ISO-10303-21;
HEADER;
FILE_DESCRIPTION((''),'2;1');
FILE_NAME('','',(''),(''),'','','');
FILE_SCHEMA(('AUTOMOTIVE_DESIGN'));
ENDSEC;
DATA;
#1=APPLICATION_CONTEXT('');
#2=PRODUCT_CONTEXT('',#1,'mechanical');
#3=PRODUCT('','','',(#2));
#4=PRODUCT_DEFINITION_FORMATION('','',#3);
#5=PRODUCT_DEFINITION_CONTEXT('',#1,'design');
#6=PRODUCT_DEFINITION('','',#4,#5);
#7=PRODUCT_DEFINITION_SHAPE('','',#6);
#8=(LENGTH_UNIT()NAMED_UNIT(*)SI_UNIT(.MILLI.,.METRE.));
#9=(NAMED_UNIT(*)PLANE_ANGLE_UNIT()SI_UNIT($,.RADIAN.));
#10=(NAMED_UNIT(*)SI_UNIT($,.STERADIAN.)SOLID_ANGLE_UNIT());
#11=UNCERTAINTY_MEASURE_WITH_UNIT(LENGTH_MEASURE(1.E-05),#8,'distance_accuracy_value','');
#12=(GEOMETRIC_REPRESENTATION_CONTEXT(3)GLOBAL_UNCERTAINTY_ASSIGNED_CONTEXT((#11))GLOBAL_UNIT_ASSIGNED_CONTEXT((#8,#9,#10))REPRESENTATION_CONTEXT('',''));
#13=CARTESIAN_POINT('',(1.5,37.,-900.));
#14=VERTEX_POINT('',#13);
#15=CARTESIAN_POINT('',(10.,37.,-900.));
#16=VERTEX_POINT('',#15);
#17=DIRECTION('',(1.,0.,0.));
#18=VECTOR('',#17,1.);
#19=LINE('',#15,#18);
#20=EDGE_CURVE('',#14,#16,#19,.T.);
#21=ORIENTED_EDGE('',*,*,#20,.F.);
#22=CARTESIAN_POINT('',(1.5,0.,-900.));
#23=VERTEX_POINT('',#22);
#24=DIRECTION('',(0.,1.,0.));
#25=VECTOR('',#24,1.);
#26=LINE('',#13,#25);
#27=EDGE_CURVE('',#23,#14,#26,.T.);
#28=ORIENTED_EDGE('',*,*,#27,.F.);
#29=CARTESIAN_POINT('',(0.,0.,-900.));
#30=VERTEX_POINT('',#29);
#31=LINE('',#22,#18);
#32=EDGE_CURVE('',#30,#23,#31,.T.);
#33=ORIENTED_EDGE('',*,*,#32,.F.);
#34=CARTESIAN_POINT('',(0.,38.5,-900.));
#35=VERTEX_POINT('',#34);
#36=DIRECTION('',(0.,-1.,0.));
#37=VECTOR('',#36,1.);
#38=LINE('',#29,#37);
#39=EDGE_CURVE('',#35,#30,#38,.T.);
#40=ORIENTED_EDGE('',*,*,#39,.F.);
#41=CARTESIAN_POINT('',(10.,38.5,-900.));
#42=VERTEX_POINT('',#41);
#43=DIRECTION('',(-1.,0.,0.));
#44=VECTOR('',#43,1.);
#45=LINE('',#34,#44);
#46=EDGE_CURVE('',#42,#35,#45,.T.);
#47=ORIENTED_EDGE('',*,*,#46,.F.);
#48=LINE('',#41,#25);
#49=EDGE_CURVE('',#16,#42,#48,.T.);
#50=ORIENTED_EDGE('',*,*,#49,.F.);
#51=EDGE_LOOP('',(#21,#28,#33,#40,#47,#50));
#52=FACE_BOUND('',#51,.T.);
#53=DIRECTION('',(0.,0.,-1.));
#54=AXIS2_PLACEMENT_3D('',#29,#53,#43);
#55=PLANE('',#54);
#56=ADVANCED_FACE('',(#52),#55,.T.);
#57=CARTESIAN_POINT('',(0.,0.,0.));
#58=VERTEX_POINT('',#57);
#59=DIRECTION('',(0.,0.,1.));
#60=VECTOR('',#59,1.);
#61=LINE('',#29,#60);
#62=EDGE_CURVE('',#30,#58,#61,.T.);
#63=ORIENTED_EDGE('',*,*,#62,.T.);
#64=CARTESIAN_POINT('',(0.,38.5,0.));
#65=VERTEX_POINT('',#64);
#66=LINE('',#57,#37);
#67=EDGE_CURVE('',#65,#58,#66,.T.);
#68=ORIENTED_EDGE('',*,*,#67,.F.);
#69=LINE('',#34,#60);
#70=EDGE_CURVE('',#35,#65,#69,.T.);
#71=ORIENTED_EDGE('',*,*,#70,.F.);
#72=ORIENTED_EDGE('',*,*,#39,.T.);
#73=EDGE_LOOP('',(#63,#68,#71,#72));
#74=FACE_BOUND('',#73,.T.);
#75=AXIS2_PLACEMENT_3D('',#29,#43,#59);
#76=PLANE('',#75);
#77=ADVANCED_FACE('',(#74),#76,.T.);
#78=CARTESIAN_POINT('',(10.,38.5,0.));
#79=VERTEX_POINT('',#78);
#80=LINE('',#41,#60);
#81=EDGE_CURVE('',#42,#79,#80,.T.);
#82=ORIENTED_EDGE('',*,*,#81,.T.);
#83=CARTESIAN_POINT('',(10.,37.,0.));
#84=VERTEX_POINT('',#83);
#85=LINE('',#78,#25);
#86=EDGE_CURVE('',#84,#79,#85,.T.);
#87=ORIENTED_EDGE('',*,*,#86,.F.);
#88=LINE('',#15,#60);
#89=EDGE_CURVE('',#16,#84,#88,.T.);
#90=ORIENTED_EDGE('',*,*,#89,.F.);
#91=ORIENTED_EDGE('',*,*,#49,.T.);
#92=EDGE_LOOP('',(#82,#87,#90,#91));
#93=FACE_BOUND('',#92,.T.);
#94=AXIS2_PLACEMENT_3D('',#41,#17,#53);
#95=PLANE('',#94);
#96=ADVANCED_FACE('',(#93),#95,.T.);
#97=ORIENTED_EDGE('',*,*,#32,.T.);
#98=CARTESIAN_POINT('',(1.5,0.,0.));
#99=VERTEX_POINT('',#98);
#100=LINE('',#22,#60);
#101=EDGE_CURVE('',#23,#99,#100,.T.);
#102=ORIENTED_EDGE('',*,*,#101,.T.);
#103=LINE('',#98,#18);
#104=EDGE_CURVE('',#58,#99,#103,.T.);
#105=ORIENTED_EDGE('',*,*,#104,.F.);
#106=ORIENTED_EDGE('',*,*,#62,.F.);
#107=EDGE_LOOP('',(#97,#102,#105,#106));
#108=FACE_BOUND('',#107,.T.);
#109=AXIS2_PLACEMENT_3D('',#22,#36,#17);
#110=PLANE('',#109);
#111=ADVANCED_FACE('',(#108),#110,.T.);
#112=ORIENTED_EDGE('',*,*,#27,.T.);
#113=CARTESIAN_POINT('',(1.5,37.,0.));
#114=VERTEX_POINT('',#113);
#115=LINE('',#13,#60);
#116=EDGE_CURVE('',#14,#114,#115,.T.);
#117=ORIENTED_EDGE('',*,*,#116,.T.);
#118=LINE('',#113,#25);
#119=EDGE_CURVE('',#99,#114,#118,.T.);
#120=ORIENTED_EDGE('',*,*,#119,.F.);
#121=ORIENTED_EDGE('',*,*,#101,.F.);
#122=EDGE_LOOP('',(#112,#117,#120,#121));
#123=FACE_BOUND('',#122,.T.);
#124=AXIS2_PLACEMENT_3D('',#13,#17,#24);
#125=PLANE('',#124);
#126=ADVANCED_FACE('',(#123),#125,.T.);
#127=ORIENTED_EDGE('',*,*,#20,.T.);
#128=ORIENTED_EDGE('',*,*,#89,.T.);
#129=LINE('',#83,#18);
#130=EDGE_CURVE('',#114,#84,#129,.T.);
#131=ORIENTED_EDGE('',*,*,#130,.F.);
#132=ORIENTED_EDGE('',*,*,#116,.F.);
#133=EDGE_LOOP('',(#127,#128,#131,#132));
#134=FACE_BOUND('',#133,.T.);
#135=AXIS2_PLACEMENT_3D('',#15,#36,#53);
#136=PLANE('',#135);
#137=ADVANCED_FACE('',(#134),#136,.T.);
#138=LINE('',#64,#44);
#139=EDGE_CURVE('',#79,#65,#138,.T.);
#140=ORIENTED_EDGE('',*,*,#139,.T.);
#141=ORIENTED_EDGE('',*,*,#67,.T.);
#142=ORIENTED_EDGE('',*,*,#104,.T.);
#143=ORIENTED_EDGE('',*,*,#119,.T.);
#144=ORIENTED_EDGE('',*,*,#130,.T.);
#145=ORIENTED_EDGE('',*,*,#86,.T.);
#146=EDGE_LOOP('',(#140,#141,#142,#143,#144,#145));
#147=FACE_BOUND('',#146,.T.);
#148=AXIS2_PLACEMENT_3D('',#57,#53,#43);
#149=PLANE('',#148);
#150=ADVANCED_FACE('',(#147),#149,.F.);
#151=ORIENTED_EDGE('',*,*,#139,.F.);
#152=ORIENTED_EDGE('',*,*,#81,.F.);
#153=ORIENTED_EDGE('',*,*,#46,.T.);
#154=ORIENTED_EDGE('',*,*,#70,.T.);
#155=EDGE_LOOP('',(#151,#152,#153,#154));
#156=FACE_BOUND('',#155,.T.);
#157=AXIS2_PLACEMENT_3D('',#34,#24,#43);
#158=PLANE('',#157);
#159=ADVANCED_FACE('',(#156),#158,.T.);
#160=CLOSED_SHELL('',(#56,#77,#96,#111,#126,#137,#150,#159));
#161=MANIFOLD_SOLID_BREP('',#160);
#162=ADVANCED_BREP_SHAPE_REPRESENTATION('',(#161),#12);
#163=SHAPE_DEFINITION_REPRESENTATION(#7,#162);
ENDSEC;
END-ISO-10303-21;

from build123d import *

# Parameters (mm, degrees)
BOSS_EXTRUDE1_DEPTH = 900


with BuildPart() as part:
    # Sketch1 → Boss-Extrude1 (new body)
    with BuildSketch(Plane.XY):
        Polygon((0, 0), (0, 38.5), (10, 38.5), (10, 37), (1.5, 37), (1.5, 0), align=None)
    extrude(amount=-BOSS_EXTRUDE1_DEPTH)


solid = part.part
